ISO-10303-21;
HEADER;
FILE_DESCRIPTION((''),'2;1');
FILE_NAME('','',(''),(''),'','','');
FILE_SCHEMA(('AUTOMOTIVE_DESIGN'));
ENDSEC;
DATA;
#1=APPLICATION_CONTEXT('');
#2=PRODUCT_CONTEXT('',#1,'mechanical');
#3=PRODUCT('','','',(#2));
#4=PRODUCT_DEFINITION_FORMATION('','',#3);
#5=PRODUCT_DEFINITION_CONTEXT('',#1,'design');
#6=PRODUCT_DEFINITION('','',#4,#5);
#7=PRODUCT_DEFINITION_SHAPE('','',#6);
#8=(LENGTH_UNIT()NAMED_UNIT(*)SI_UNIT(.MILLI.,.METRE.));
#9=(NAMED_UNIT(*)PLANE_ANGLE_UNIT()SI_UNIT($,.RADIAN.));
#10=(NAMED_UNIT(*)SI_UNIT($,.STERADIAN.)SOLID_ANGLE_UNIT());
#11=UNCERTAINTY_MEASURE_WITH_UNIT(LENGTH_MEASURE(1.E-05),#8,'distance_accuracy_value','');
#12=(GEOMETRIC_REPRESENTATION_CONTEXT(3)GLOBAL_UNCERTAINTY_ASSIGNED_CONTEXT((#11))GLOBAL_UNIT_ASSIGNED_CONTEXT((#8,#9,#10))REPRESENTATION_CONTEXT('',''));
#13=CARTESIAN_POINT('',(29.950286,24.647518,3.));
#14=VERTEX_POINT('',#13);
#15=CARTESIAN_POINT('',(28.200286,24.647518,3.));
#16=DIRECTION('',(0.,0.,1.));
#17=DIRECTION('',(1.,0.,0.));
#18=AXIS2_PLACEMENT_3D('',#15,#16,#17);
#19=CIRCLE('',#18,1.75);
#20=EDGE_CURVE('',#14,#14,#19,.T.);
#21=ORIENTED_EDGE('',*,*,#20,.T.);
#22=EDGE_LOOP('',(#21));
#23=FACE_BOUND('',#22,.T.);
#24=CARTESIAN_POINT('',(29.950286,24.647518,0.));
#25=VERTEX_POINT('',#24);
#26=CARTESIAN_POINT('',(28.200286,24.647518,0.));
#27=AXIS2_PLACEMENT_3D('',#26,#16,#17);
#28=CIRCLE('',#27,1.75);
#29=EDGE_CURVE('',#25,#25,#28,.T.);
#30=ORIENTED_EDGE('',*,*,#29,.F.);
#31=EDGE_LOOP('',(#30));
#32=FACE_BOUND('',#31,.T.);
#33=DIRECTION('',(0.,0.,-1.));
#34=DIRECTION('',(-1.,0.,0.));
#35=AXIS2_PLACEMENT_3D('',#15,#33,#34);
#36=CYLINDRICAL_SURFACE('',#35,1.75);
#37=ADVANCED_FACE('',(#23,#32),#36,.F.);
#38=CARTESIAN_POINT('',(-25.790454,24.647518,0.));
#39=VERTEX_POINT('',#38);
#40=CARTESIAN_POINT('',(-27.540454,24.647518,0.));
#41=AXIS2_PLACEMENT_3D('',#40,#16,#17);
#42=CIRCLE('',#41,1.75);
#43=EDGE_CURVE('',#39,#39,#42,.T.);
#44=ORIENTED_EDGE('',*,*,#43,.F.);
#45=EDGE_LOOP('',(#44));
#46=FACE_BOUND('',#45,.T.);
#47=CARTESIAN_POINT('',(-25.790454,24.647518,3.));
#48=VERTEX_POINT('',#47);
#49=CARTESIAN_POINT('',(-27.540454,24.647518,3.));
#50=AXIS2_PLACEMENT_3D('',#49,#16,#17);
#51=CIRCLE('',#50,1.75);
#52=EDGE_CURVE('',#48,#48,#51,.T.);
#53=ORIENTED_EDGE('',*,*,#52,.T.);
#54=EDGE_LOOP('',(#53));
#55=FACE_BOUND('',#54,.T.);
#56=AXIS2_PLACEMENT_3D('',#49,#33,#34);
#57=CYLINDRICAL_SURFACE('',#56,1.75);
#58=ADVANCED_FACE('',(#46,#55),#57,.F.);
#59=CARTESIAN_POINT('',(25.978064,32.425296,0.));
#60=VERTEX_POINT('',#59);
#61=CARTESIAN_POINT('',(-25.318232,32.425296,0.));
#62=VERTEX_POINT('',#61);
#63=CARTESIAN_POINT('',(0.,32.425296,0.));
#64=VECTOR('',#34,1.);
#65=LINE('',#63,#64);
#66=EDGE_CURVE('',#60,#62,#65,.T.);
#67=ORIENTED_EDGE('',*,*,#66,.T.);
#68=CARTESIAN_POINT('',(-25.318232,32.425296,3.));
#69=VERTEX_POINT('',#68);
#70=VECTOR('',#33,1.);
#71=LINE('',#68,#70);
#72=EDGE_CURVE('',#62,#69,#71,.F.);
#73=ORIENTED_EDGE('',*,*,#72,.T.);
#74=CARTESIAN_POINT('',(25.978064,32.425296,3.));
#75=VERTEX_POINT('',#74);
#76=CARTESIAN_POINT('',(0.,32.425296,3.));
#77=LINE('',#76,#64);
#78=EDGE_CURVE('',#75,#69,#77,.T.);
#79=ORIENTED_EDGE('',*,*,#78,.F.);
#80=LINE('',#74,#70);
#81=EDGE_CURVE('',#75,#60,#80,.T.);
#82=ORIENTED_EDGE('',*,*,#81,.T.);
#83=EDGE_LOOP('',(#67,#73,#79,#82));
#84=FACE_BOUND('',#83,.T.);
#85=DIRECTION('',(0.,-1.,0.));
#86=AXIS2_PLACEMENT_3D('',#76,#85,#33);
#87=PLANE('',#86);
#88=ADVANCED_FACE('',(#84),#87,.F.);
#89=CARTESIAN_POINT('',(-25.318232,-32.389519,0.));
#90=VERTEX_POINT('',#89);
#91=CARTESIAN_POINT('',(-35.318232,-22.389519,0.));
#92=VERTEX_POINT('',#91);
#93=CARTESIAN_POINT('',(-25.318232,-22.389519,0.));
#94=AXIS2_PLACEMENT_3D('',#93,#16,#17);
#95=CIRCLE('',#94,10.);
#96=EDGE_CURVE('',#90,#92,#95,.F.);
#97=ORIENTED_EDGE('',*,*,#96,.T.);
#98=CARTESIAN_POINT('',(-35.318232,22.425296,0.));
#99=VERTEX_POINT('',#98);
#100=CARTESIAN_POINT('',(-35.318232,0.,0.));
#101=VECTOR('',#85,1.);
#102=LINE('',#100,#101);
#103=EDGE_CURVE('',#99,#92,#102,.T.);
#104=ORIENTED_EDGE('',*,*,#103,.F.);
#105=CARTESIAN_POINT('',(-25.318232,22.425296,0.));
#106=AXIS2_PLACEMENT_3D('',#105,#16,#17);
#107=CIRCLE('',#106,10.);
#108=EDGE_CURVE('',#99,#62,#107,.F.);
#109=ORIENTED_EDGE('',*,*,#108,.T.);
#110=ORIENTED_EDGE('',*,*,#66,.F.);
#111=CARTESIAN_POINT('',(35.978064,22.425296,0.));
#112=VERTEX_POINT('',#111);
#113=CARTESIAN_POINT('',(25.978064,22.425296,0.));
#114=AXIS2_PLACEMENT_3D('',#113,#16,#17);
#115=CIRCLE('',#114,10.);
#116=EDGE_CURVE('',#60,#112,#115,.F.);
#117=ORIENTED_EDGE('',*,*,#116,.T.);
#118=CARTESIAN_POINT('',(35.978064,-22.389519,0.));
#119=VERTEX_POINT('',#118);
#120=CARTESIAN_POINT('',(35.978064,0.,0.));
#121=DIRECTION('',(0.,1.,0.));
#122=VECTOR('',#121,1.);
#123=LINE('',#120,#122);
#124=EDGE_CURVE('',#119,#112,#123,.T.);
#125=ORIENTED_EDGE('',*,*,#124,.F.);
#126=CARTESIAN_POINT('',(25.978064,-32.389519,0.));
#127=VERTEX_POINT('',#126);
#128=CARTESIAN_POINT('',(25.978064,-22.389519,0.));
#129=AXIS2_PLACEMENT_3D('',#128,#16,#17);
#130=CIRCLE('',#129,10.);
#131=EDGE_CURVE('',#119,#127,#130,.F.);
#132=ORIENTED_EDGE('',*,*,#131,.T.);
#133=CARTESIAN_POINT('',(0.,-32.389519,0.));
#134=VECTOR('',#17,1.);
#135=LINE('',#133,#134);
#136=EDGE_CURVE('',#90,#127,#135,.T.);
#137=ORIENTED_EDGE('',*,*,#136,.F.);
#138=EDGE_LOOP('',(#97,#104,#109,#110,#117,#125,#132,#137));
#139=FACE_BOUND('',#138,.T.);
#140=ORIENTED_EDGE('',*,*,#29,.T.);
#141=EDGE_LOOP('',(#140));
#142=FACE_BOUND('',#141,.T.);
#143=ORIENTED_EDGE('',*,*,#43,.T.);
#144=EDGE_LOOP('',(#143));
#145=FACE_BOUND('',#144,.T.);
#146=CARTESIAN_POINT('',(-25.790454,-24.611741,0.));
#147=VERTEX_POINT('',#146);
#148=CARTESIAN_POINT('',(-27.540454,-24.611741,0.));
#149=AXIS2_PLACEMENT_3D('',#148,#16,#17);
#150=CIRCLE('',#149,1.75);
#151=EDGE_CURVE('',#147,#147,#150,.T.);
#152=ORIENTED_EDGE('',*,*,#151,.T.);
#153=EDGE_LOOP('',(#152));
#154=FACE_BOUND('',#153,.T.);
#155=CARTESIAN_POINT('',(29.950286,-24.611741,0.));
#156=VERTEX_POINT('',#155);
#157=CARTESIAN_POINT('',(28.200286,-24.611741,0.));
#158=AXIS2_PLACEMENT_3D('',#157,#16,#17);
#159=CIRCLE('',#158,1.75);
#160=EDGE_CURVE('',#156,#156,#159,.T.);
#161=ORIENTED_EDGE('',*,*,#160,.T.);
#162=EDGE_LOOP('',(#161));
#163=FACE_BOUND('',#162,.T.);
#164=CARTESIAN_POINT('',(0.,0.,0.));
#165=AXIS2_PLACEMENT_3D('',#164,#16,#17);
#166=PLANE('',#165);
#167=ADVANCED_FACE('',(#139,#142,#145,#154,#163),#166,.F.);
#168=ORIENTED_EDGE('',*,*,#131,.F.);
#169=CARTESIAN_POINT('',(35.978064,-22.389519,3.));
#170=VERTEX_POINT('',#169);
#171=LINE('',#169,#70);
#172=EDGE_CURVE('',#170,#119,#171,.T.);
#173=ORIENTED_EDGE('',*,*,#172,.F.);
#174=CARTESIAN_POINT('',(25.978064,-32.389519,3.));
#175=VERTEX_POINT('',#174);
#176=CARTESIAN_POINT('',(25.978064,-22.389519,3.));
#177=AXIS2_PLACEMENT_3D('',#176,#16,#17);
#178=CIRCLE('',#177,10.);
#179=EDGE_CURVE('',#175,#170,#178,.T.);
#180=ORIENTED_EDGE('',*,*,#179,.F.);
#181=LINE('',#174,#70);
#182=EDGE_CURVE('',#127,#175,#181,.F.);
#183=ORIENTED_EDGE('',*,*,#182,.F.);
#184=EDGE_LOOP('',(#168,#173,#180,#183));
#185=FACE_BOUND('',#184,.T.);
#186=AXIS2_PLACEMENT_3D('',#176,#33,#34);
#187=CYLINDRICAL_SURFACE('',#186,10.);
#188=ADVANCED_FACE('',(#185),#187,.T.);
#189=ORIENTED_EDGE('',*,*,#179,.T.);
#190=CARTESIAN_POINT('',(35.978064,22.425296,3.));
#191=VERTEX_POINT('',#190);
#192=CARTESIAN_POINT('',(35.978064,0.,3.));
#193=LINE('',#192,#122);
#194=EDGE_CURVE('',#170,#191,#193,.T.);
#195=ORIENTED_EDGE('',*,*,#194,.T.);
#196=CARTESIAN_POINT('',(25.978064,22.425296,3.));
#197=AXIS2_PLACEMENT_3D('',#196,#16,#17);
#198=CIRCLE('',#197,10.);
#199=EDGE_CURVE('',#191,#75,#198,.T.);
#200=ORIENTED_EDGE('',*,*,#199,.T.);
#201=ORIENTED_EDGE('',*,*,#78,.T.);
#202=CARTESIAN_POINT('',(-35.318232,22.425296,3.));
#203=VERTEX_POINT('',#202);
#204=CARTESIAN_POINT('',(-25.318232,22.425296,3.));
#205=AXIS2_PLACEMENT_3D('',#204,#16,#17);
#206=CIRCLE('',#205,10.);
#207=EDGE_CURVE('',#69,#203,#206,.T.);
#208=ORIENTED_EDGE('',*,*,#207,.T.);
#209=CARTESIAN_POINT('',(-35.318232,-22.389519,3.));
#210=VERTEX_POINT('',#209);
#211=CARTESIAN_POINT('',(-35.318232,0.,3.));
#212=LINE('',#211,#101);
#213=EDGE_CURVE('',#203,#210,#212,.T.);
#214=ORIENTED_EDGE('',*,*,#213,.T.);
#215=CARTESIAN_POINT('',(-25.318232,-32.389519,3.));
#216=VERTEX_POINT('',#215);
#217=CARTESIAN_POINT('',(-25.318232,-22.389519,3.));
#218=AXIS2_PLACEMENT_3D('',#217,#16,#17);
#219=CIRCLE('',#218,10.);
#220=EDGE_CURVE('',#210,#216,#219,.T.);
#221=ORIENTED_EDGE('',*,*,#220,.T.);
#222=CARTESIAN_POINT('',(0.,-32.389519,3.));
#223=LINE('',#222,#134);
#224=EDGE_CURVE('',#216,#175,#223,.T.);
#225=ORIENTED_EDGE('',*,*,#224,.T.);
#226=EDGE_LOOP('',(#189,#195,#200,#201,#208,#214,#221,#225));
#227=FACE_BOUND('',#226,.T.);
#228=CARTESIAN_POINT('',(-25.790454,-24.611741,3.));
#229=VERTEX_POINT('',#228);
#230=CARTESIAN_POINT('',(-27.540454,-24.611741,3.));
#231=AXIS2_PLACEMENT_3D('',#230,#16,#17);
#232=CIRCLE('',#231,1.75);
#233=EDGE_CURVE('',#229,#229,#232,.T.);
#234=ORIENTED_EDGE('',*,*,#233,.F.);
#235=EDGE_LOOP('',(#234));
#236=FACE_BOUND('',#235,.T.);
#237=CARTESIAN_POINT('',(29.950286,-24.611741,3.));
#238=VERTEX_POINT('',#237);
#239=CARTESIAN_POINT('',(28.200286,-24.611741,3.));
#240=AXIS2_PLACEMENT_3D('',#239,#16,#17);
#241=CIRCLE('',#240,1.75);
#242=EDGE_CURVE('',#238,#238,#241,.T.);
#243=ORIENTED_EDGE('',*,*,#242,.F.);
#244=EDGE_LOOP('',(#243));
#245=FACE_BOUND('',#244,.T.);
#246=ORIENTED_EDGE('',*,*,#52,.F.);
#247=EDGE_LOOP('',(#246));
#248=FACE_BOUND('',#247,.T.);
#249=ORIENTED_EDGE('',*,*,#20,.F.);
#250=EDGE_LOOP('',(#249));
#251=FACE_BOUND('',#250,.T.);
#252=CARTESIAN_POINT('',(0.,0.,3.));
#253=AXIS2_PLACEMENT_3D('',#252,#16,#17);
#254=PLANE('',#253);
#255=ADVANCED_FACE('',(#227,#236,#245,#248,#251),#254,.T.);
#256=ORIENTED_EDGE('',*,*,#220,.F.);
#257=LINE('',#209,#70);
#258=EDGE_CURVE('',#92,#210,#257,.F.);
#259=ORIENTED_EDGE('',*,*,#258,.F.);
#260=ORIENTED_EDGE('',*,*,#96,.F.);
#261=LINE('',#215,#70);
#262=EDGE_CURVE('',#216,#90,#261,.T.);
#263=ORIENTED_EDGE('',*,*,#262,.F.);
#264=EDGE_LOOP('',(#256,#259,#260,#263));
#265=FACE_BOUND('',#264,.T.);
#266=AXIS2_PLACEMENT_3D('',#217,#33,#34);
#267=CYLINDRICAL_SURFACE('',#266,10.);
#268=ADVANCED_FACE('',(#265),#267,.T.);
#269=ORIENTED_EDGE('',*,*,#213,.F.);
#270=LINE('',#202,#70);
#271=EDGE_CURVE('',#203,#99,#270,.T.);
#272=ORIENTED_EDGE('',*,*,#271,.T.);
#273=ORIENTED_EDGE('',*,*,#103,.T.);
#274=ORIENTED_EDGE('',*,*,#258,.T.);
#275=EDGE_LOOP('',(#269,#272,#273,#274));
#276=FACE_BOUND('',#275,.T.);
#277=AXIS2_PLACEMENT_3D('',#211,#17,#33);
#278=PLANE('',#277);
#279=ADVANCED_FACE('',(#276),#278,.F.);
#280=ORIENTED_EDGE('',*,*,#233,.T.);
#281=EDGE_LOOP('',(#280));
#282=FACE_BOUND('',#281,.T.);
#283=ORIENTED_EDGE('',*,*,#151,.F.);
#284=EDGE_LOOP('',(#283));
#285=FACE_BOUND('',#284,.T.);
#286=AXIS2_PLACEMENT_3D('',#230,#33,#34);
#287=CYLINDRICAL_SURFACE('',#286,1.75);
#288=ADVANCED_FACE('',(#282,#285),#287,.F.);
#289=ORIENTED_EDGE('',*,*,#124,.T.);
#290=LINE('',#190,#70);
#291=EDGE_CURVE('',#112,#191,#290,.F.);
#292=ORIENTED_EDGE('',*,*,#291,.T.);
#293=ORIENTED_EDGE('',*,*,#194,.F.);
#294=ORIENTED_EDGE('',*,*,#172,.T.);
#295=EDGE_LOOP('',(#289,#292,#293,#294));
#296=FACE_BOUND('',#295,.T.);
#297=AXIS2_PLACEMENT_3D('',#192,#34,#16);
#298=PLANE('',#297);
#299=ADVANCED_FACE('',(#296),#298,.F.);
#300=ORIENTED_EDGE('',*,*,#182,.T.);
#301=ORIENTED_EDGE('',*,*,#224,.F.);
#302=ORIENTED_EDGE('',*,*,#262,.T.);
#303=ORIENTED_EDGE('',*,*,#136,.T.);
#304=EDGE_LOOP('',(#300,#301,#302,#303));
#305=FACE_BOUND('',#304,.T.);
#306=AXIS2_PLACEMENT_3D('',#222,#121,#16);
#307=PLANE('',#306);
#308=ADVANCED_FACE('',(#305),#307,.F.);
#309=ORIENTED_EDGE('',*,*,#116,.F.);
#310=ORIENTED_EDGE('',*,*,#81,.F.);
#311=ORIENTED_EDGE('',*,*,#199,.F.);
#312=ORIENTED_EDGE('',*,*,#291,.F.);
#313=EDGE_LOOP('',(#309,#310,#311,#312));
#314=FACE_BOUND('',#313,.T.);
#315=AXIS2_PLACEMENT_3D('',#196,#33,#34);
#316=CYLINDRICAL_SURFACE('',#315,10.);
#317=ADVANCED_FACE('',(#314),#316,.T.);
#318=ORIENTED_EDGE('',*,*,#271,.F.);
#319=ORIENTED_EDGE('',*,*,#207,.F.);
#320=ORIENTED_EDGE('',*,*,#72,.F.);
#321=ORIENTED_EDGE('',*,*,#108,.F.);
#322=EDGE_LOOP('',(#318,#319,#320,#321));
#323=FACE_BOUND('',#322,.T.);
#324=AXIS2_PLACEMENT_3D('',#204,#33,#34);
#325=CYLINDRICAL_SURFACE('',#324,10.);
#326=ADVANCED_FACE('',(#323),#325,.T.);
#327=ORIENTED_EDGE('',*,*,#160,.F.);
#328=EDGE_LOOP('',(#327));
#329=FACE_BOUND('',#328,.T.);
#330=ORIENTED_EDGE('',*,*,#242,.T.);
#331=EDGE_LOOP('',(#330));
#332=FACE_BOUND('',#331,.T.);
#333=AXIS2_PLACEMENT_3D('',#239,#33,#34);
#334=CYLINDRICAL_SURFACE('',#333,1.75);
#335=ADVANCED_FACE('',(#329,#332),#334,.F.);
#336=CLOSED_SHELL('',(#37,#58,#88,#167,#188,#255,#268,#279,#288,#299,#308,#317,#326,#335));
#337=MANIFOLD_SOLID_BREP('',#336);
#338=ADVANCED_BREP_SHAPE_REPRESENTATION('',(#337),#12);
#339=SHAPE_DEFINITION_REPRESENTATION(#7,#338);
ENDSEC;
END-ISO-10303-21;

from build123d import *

# Parameters (mm, degrees)
SKETCH_1_W      = 71.296296296
SKETCH_1_H      = 64.814814815
SKETCH_1_R      = 1.75
SKETCH_1_W_2    = 45.37037037
SKETCH_1_H_2    = 38.888888889
EXTRUDE_1_DEPTH = 3
FILLET_1_R      = 10


with BuildPart() as part:
    # 草图1 → 凸台-拉伸1 (new body)
    with BuildSketch(Plane.XY):
        with Locations((0.329915923, 0.017888572)):
            Rectangle(SKETCH_1_W, SKETCH_1_H)
        with Locations((-27.540454447, -24.611741059)):
            Circle(SKETCH_1_R, mode=Mode.SUBTRACT)
        with Locations((28.200286294, -24.611741059)):
            Circle(SKETCH_1_R, mode=Mode.SUBTRACT)
        with Locations((28.200286294, 24.647518201)):
            Circle(SKETCH_1_R, mode=Mode.SUBTRACT)
        with Locations((-27.540454447, 24.647518201)):
            Circle(SKETCH_1_R, mode=Mode.SUBTRACT)
        with Locations((0.329915923, 0.017888572)):
            Rectangle(SKETCH_1_W_2, SKETCH_1_H_2, mode=Mode.SUBTRACT)
        with Locations((0.329915923, 0.017888572)):
            Rectangle(SKETCH_1_W_2, SKETCH_1_H_2)
    extrude(amount=EXTRUDE_1_DEPTH)

    # 圆角1
    fillet_1_edges = [part.edges().sort_by_distance(p)[0] for p in [
        (35.978064071, 32.425295979, 1.5),
        (35.978064071, -32.389518836, 1.5),
        (-35.318232225, -32.389518836, 1.5),
        (-35.318232225, 32.425295979, 1.5),
    ]]
    fillet(fillet_1_edges, radius=FILLET_1_R)


solid = part.part
